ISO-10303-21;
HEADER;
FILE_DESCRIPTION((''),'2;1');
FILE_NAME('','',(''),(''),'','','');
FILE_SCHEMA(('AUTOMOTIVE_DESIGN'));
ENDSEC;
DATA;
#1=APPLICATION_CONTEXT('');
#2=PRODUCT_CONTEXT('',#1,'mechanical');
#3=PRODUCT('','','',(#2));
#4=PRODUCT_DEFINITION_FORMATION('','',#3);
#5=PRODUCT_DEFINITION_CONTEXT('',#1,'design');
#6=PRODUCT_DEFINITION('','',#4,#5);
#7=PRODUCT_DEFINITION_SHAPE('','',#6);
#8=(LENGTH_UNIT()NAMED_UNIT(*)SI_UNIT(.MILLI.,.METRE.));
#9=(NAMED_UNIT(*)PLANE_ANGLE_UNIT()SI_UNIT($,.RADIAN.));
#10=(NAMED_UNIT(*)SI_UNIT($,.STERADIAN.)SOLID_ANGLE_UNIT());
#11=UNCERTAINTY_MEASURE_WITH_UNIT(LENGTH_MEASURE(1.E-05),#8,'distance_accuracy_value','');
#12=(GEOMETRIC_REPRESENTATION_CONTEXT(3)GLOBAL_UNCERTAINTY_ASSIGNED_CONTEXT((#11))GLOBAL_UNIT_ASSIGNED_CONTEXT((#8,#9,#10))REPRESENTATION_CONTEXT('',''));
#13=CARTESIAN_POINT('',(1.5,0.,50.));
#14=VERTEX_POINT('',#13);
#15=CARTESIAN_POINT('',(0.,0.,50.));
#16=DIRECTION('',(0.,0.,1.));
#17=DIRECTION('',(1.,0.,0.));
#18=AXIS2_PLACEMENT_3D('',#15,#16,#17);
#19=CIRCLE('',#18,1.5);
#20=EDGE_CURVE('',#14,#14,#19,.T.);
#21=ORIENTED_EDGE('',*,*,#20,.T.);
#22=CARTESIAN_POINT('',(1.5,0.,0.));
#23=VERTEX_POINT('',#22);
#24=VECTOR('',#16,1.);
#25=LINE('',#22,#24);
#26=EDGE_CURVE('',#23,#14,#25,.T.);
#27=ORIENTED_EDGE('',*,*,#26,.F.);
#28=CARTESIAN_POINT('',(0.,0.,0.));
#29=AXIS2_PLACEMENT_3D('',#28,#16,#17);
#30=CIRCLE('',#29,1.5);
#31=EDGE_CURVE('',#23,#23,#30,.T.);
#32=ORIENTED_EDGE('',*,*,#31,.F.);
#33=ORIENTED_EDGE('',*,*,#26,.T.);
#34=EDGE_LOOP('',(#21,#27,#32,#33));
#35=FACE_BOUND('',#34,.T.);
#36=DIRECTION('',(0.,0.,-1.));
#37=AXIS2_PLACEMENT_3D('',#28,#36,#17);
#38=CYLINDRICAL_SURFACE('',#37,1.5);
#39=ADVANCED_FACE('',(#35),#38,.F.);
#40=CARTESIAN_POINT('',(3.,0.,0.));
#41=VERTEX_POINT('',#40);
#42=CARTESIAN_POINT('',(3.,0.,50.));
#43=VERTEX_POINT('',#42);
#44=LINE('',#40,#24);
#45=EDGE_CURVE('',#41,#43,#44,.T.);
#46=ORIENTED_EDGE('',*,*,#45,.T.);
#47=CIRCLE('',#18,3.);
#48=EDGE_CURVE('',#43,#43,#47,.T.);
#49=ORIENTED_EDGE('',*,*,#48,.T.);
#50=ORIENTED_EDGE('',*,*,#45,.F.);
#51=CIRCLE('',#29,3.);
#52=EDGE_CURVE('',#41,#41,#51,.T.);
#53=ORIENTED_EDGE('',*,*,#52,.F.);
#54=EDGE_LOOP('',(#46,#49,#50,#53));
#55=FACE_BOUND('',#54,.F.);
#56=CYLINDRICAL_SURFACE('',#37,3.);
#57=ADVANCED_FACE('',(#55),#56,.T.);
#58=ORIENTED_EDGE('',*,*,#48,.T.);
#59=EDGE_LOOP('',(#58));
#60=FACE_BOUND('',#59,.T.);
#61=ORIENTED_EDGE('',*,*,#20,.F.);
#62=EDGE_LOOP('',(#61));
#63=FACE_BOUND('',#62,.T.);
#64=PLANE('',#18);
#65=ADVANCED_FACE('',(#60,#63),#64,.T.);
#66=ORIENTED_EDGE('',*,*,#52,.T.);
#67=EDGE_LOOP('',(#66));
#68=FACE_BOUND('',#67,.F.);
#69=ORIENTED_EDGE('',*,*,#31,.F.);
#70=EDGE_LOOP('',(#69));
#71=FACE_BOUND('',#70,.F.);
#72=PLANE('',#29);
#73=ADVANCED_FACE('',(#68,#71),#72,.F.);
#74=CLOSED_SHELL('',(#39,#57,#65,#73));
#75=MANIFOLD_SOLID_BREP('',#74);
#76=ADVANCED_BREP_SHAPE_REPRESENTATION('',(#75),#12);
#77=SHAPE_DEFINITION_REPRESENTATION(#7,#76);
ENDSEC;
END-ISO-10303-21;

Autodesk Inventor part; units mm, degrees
ref_plane "YZ Plane" through (0, 0, 0) normal (1, 0, 0) x (0, 1, 0)
ref_plane "XZ Plane" through (0, 0, 0) normal (0, 1, 0) x (-1, 0, 0)
ref_plane "XY Plane" through (0, 0, 0) normal (0, 0, 1) x (1, 0, 0)
sketch "スケッチ1" plane through (0, 0, 0) normal (0, 0, 1) x (1, 0, 0)
  circle A0 centre (0, 0) radius 3
  circle A1 centre (0, 0) radius 1.5
  dimension "d0" = 6
  dimension "d1" = 3
extrude "押し出し1" add sketch "スケッチ1" along normal blind 50
properties part number "スペーサーm3-50　簡易筒型" material "アルミニウム 2014-T4"
